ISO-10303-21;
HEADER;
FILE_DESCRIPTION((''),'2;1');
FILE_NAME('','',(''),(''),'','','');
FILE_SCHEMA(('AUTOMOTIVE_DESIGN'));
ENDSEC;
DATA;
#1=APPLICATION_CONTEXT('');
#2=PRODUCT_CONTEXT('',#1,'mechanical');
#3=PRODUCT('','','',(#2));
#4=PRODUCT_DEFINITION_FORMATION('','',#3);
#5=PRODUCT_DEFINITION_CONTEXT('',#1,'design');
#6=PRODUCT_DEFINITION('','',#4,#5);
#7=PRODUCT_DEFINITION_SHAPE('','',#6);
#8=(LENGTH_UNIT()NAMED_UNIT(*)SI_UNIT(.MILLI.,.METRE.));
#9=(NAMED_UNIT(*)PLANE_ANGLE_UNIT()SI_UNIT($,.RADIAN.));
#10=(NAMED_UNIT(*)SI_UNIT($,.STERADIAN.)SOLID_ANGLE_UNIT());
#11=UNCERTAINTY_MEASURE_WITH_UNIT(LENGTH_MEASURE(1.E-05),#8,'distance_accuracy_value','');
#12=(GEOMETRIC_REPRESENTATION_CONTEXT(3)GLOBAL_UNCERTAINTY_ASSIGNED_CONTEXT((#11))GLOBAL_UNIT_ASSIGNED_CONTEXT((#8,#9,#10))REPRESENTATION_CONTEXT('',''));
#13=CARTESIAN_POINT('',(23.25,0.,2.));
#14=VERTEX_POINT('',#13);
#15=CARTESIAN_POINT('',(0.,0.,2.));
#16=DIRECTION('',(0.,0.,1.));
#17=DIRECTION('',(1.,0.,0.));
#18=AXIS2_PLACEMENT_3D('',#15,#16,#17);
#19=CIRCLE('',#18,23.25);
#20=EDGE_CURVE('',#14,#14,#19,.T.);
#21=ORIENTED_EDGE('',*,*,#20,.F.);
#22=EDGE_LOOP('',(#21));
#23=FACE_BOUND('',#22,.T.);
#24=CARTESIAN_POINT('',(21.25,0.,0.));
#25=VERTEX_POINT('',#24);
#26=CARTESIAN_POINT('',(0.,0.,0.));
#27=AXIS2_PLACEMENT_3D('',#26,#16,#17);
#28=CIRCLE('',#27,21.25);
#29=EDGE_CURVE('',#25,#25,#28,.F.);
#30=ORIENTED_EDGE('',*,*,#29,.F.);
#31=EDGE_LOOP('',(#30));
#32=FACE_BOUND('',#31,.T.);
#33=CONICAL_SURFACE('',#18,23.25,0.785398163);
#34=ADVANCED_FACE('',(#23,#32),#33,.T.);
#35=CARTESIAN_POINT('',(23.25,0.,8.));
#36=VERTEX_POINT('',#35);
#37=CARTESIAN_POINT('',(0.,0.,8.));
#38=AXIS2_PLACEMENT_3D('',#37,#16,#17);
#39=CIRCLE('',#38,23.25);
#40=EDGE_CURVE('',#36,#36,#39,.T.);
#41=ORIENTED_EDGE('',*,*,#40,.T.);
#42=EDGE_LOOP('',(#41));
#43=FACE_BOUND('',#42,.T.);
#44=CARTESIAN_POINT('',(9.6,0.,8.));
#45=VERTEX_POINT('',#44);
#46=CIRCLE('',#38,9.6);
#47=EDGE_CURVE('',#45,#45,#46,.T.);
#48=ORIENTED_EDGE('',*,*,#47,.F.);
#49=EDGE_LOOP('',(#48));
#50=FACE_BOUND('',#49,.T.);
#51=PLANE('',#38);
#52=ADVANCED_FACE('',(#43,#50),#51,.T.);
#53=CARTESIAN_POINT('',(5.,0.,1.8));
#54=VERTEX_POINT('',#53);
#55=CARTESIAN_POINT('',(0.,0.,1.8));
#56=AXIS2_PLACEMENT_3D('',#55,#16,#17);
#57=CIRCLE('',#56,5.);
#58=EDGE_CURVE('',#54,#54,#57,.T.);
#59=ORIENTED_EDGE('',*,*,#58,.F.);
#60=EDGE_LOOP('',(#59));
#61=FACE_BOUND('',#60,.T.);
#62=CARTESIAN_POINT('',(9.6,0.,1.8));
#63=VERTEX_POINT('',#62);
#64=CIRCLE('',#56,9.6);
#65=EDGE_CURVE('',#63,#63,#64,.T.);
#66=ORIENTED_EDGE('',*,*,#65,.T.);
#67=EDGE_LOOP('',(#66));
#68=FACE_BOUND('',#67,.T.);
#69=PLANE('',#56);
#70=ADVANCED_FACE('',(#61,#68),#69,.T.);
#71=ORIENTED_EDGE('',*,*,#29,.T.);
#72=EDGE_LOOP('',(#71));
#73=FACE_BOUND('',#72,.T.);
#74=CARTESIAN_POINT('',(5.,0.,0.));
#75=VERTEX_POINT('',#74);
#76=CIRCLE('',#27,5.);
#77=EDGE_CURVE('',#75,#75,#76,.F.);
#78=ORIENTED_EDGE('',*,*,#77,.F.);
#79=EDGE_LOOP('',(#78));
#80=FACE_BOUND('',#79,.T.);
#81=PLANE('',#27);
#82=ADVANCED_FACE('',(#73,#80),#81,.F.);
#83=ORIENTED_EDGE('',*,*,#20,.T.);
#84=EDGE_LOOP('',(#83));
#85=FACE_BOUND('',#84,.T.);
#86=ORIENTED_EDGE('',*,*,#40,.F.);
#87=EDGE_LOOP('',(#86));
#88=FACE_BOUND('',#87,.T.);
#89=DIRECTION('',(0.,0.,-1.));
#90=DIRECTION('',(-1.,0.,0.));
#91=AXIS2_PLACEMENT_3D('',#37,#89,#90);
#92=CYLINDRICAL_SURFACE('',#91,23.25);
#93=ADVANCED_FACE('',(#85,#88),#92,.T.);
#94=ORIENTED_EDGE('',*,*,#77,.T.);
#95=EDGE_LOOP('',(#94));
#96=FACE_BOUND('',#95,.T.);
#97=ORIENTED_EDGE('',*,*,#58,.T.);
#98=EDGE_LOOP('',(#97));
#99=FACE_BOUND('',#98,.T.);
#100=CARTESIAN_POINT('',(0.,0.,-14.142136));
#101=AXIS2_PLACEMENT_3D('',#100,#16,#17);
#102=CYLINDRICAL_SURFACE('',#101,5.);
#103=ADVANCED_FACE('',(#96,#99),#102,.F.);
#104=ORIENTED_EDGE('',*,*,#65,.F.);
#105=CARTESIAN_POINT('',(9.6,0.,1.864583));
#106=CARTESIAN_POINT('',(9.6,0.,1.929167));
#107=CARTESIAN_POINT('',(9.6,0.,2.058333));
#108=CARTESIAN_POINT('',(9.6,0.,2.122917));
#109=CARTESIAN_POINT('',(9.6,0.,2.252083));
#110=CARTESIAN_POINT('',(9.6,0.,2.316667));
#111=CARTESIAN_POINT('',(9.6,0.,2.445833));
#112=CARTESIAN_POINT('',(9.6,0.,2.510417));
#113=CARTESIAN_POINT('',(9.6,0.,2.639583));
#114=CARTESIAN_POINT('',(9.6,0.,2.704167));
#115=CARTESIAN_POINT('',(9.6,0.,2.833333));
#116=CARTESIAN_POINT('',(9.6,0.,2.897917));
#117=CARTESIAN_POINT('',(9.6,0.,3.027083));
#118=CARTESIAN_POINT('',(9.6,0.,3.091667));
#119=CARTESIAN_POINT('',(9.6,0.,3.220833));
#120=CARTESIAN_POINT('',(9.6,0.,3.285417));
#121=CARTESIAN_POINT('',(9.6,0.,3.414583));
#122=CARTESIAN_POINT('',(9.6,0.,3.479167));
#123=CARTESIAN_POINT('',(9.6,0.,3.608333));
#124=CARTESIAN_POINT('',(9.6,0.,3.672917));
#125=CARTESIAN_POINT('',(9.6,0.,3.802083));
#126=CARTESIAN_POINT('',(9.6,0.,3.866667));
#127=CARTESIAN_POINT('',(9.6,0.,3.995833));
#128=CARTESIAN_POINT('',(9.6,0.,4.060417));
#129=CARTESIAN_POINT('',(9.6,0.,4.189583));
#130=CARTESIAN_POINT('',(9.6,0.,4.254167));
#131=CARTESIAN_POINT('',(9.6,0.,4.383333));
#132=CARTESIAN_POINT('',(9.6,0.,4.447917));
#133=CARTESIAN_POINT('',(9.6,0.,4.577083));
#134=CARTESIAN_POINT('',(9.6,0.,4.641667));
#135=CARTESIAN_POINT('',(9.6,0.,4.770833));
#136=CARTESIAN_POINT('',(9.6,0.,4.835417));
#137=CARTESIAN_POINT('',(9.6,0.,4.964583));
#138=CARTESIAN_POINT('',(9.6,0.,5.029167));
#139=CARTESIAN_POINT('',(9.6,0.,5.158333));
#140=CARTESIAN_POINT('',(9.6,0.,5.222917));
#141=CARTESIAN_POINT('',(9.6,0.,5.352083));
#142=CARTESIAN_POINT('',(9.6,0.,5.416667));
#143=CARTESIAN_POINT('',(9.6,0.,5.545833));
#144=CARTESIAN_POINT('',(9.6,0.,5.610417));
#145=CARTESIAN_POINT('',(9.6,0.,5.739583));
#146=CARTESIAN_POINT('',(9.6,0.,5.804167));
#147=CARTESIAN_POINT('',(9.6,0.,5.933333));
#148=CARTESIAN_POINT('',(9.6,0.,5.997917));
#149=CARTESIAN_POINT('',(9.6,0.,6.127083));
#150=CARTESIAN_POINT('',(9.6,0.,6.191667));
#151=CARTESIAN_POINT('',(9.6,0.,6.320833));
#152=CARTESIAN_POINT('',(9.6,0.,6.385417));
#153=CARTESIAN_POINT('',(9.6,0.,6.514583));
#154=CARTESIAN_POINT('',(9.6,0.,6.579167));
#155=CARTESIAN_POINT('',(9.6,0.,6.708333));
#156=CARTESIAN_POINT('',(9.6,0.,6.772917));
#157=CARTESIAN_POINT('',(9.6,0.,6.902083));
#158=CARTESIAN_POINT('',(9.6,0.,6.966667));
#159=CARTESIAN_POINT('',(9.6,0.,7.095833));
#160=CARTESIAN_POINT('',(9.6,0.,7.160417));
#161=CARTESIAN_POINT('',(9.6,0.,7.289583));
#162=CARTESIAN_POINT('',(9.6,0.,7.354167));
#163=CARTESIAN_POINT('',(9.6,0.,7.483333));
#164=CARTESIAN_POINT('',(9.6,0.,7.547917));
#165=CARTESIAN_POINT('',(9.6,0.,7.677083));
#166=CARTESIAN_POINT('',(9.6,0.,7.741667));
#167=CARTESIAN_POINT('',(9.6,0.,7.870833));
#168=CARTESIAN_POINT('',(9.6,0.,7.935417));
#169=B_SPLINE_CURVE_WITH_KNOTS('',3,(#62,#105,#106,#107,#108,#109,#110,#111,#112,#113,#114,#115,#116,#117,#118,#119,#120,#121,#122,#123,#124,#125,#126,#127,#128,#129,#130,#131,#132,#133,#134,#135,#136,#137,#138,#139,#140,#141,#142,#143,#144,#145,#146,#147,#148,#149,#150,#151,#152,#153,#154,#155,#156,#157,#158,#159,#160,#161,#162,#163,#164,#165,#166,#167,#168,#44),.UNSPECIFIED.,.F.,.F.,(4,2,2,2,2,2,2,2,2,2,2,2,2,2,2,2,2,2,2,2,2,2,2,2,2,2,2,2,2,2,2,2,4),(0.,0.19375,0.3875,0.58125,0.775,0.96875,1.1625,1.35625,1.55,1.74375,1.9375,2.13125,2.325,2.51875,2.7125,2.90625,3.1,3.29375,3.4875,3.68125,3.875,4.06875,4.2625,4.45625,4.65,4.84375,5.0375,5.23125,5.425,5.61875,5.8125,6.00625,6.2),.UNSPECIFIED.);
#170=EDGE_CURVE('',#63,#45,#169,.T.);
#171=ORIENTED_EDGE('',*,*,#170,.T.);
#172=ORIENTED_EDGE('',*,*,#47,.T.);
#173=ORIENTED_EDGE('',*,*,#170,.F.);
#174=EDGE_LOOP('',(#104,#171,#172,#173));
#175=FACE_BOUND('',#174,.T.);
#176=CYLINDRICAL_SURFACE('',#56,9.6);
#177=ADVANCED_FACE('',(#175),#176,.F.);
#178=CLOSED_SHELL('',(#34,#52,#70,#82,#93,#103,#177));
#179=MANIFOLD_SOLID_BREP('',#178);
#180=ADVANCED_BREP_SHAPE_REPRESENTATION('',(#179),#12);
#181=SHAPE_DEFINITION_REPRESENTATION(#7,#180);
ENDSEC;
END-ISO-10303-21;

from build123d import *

# Parameters (mm, degrees)
SKETCH1_R           = 23.25
BOSS_EXTRUDE1_DEPTH = 8
SKETCH2_R           = 9.6
CUT_EXTRUDE1_DEPTH  = 6.2
SKETCH3_R           = 5
CUT_EXTRUDE2_DEPTH  = 1.8
CHAMFER1_SIZE       = 2


with BuildPart() as part:
    # Sketch1 → Boss-Extrude1 (new body)
    with BuildSketch(Plane.XY):
        Circle(SKETCH1_R)
    extrude(amount=BOSS_EXTRUDE1_DEPTH)

    # Sketch2 → Cut-Extrude1 (cut)
    with BuildSketch(Plane.XY.offset(8)):
        Circle(SKETCH2_R)
    extrude(amount=-CUT_EXTRUDE1_DEPTH, mode=Mode.SUBTRACT)

    # Sketch3 → Cut-Extrude2 (cut)
    with BuildSketch(Plane.XY.offset(1.8)):
        Circle(SKETCH3_R)
    extrude(amount=-CUT_EXTRUDE2_DEPTH, mode=Mode.SUBTRACT)

    # Chamfer1
    chamfer1_edges = [part.edges().sort_by_distance(p)[0] for p in [
        (-23.25, 0, 0),
    ]]
    chamfer(chamfer1_edges, length=CHAMFER1_SIZE)


solid = part.part
